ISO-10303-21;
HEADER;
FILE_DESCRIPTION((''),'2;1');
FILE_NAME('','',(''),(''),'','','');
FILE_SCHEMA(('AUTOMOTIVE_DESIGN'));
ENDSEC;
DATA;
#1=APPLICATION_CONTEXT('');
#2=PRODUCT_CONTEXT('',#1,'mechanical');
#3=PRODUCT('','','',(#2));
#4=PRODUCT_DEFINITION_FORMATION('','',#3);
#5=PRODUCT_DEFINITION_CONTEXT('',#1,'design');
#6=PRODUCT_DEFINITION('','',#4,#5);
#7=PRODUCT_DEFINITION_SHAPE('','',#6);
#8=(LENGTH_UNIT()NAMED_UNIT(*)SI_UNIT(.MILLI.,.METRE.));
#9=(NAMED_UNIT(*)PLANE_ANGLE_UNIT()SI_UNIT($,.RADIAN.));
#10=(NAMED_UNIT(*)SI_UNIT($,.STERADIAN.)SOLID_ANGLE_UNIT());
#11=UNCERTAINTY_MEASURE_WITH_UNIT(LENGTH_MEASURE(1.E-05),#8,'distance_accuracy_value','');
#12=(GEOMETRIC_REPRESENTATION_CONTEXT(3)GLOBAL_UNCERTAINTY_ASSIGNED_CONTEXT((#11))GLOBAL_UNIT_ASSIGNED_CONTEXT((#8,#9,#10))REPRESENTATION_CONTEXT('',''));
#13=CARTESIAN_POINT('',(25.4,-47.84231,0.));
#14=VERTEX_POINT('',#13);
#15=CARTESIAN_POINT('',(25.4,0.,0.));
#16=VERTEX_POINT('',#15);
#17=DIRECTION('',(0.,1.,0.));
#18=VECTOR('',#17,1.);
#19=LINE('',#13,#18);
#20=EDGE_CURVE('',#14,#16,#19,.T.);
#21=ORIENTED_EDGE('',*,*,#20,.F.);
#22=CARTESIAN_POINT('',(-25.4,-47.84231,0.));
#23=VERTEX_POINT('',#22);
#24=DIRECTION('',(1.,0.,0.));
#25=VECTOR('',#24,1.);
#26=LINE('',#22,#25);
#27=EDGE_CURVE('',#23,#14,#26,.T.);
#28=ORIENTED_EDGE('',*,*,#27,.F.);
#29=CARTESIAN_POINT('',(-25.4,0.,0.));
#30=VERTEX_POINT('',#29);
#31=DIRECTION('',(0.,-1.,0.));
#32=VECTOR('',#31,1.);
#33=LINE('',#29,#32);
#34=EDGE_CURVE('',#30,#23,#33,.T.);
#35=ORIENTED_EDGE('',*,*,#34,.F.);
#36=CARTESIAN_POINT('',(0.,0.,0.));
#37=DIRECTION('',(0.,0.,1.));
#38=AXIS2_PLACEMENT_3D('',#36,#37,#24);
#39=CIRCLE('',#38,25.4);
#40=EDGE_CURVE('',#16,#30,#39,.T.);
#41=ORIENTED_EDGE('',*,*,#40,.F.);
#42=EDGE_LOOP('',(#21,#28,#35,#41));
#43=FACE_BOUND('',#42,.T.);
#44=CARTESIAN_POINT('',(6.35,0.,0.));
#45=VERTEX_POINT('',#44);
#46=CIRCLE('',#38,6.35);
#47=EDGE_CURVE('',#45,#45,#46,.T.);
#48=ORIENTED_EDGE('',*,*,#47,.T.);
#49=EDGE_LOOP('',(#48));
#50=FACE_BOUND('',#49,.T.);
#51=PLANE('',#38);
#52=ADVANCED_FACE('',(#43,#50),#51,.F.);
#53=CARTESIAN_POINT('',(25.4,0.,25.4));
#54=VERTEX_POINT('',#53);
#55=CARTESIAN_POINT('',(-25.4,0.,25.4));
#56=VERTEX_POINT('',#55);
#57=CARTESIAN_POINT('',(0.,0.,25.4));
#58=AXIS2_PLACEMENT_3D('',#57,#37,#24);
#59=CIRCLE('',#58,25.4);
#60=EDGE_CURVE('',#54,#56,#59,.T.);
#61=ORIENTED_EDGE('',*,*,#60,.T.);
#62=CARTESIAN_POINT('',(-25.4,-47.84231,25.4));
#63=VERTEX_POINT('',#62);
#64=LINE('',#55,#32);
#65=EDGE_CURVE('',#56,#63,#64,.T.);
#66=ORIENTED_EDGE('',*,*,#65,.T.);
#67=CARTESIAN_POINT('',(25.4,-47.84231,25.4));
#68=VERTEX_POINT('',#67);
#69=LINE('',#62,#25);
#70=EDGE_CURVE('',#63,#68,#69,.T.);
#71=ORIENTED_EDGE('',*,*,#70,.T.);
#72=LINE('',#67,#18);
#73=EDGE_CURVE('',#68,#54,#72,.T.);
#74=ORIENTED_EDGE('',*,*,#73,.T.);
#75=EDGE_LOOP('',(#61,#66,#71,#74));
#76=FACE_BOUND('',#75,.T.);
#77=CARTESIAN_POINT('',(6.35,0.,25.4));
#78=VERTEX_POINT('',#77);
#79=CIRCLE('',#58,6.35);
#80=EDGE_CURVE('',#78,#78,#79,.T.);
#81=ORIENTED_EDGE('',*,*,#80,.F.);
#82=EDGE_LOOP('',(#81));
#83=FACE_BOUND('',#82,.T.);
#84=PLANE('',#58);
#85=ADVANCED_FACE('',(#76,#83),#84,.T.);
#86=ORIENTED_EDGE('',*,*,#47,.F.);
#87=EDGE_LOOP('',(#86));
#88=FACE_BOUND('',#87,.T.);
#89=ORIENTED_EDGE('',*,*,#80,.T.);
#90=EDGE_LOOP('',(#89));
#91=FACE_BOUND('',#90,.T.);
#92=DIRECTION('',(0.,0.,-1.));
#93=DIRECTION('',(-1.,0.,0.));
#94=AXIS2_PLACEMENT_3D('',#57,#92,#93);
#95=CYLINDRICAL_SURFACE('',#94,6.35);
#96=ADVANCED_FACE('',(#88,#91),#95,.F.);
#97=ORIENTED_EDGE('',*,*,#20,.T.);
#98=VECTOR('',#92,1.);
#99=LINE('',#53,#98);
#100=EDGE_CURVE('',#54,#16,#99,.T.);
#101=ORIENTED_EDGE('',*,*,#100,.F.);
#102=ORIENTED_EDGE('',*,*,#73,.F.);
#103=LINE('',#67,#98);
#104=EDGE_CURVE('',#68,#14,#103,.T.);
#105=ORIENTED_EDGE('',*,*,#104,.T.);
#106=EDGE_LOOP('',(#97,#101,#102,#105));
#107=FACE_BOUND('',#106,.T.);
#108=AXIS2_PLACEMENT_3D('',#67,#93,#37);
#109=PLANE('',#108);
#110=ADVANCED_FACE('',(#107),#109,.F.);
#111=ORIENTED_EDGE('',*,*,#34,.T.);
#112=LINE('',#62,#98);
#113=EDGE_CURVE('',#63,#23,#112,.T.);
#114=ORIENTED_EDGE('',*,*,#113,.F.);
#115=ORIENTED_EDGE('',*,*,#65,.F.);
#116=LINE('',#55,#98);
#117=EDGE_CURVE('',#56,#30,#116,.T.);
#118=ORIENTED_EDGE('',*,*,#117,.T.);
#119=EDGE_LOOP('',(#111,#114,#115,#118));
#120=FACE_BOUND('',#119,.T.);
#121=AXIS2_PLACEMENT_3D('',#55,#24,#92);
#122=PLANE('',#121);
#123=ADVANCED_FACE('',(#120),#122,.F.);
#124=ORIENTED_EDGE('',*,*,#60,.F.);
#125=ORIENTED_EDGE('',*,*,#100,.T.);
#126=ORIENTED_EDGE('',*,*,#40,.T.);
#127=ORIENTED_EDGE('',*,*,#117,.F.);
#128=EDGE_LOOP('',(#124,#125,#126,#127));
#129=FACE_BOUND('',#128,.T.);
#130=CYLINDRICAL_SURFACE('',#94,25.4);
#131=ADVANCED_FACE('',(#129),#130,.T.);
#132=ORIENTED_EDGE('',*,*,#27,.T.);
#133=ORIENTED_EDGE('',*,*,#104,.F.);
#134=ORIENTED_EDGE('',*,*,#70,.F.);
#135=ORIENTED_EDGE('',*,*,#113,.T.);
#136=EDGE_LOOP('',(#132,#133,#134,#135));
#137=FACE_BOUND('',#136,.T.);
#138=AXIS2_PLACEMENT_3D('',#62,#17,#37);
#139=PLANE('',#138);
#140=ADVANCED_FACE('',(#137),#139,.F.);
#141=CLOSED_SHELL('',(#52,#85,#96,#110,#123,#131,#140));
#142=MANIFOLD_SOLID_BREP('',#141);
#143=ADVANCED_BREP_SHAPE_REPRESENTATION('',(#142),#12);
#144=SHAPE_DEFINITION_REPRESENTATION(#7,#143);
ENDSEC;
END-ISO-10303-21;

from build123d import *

# Parameters (mm, degrees)
SKETCH1_R           = 6.35
BOSS_EXTRUDE1_DEPTH = 25.4


with BuildPart() as part:
    # Sketch1 → Boss-Extrude1 (new body)
    with BuildSketch(Plane.XY):
        with BuildLine():
            Line((-25.4, 0), (-25.4, -47.842310203))
            Line((-25.4, -47.842310203), (25.4, -47.842310203))
            Line((25.4, -47.842310203), (25.4, 0))
            ThreePointArc((25.4, 0), (0, 25.4), (-25.4, 0))
        make_face()
        Circle(SKETCH1_R, mode=Mode.SUBTRACT)
    extrude(amount=BOSS_EXTRUDE1_DEPTH)


solid = part.part
